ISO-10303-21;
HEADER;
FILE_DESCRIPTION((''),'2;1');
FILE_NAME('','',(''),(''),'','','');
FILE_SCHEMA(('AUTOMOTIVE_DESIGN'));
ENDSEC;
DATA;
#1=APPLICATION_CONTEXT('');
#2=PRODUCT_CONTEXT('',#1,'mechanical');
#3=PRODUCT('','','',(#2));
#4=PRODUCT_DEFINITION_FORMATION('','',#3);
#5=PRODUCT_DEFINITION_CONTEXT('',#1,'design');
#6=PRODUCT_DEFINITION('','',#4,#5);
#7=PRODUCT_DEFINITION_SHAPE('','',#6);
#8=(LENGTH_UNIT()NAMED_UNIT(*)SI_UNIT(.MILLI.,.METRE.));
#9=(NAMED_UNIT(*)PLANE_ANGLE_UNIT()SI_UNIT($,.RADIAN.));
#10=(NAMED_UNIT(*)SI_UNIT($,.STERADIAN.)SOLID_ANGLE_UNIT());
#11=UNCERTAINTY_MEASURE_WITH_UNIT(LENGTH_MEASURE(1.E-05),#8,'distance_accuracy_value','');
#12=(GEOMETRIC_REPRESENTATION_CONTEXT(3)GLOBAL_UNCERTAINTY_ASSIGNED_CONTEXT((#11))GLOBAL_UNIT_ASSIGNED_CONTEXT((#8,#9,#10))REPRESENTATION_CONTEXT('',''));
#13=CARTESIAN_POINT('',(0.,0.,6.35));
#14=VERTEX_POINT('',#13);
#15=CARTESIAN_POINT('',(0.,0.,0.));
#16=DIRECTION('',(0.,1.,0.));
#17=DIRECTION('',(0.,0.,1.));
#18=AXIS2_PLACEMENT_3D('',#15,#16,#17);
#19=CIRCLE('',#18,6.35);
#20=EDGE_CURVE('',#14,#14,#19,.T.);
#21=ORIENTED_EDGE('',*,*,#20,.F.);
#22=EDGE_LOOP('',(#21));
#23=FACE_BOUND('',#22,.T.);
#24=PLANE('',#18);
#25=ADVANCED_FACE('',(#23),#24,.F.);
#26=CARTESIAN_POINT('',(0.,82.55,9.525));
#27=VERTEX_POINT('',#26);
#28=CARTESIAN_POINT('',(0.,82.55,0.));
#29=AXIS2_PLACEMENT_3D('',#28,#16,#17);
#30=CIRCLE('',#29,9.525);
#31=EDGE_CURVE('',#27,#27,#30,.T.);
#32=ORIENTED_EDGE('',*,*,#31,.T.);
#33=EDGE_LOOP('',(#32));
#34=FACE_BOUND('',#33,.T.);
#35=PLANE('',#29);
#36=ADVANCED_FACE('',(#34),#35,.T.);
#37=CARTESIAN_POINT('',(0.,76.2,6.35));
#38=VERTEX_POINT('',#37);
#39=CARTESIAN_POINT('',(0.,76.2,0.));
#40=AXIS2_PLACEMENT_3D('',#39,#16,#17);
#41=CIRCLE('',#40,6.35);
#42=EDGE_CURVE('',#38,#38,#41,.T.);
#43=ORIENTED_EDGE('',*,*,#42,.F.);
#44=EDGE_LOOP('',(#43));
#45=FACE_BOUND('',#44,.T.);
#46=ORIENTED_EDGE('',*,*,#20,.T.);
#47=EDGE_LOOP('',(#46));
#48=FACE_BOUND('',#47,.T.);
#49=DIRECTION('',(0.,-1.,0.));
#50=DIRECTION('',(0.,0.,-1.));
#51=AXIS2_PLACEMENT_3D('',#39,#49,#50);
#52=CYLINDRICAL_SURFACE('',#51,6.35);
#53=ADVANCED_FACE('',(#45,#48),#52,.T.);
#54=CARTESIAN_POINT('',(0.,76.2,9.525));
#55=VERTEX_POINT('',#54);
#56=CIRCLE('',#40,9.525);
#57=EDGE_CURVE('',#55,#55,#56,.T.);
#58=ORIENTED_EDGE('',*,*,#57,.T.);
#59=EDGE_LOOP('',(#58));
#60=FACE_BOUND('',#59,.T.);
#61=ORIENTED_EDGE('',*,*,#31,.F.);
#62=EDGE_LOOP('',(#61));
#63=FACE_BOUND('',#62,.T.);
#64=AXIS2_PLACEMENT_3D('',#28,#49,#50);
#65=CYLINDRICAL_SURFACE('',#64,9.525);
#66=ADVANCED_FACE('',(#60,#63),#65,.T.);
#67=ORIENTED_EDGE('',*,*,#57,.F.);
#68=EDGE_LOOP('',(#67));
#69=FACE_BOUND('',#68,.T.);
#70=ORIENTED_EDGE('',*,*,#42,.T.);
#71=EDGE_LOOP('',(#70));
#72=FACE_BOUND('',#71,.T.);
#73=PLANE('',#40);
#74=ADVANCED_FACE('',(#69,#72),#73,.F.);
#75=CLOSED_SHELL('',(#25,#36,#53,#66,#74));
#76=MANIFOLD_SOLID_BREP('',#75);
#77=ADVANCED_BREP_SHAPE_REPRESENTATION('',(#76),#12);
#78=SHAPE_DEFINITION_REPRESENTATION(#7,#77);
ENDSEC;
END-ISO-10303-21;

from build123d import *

# Parameters (mm, degrees)
SKETCH1_R           = 6.35
BOSS_EXTRUDE1_DEPTH = 76.2
SKETCH2_R           = 9.525
BOSS_EXTRUDE2_DEPTH = 6.35


with BuildPart() as part:
    # Sketch1 → Boss-Extrude1 (new body)
    with BuildSketch(Plane(origin=(0, 0, 0), x_dir=(1, 0, 0), z_dir=(0, 1, 0))):
        Circle(SKETCH1_R)
    extrude(amount=BOSS_EXTRUDE1_DEPTH)

    # Sketch2 → Boss-Extrude2 (add)
    with BuildSketch(Plane(origin=(0, 76.2, 0), x_dir=(1, 0, 0), z_dir=(0, 1, 0))):
        Circle(SKETCH2_R)
    extrude(amount=BOSS_EXTRUDE2_DEPTH)


solid = part.part
